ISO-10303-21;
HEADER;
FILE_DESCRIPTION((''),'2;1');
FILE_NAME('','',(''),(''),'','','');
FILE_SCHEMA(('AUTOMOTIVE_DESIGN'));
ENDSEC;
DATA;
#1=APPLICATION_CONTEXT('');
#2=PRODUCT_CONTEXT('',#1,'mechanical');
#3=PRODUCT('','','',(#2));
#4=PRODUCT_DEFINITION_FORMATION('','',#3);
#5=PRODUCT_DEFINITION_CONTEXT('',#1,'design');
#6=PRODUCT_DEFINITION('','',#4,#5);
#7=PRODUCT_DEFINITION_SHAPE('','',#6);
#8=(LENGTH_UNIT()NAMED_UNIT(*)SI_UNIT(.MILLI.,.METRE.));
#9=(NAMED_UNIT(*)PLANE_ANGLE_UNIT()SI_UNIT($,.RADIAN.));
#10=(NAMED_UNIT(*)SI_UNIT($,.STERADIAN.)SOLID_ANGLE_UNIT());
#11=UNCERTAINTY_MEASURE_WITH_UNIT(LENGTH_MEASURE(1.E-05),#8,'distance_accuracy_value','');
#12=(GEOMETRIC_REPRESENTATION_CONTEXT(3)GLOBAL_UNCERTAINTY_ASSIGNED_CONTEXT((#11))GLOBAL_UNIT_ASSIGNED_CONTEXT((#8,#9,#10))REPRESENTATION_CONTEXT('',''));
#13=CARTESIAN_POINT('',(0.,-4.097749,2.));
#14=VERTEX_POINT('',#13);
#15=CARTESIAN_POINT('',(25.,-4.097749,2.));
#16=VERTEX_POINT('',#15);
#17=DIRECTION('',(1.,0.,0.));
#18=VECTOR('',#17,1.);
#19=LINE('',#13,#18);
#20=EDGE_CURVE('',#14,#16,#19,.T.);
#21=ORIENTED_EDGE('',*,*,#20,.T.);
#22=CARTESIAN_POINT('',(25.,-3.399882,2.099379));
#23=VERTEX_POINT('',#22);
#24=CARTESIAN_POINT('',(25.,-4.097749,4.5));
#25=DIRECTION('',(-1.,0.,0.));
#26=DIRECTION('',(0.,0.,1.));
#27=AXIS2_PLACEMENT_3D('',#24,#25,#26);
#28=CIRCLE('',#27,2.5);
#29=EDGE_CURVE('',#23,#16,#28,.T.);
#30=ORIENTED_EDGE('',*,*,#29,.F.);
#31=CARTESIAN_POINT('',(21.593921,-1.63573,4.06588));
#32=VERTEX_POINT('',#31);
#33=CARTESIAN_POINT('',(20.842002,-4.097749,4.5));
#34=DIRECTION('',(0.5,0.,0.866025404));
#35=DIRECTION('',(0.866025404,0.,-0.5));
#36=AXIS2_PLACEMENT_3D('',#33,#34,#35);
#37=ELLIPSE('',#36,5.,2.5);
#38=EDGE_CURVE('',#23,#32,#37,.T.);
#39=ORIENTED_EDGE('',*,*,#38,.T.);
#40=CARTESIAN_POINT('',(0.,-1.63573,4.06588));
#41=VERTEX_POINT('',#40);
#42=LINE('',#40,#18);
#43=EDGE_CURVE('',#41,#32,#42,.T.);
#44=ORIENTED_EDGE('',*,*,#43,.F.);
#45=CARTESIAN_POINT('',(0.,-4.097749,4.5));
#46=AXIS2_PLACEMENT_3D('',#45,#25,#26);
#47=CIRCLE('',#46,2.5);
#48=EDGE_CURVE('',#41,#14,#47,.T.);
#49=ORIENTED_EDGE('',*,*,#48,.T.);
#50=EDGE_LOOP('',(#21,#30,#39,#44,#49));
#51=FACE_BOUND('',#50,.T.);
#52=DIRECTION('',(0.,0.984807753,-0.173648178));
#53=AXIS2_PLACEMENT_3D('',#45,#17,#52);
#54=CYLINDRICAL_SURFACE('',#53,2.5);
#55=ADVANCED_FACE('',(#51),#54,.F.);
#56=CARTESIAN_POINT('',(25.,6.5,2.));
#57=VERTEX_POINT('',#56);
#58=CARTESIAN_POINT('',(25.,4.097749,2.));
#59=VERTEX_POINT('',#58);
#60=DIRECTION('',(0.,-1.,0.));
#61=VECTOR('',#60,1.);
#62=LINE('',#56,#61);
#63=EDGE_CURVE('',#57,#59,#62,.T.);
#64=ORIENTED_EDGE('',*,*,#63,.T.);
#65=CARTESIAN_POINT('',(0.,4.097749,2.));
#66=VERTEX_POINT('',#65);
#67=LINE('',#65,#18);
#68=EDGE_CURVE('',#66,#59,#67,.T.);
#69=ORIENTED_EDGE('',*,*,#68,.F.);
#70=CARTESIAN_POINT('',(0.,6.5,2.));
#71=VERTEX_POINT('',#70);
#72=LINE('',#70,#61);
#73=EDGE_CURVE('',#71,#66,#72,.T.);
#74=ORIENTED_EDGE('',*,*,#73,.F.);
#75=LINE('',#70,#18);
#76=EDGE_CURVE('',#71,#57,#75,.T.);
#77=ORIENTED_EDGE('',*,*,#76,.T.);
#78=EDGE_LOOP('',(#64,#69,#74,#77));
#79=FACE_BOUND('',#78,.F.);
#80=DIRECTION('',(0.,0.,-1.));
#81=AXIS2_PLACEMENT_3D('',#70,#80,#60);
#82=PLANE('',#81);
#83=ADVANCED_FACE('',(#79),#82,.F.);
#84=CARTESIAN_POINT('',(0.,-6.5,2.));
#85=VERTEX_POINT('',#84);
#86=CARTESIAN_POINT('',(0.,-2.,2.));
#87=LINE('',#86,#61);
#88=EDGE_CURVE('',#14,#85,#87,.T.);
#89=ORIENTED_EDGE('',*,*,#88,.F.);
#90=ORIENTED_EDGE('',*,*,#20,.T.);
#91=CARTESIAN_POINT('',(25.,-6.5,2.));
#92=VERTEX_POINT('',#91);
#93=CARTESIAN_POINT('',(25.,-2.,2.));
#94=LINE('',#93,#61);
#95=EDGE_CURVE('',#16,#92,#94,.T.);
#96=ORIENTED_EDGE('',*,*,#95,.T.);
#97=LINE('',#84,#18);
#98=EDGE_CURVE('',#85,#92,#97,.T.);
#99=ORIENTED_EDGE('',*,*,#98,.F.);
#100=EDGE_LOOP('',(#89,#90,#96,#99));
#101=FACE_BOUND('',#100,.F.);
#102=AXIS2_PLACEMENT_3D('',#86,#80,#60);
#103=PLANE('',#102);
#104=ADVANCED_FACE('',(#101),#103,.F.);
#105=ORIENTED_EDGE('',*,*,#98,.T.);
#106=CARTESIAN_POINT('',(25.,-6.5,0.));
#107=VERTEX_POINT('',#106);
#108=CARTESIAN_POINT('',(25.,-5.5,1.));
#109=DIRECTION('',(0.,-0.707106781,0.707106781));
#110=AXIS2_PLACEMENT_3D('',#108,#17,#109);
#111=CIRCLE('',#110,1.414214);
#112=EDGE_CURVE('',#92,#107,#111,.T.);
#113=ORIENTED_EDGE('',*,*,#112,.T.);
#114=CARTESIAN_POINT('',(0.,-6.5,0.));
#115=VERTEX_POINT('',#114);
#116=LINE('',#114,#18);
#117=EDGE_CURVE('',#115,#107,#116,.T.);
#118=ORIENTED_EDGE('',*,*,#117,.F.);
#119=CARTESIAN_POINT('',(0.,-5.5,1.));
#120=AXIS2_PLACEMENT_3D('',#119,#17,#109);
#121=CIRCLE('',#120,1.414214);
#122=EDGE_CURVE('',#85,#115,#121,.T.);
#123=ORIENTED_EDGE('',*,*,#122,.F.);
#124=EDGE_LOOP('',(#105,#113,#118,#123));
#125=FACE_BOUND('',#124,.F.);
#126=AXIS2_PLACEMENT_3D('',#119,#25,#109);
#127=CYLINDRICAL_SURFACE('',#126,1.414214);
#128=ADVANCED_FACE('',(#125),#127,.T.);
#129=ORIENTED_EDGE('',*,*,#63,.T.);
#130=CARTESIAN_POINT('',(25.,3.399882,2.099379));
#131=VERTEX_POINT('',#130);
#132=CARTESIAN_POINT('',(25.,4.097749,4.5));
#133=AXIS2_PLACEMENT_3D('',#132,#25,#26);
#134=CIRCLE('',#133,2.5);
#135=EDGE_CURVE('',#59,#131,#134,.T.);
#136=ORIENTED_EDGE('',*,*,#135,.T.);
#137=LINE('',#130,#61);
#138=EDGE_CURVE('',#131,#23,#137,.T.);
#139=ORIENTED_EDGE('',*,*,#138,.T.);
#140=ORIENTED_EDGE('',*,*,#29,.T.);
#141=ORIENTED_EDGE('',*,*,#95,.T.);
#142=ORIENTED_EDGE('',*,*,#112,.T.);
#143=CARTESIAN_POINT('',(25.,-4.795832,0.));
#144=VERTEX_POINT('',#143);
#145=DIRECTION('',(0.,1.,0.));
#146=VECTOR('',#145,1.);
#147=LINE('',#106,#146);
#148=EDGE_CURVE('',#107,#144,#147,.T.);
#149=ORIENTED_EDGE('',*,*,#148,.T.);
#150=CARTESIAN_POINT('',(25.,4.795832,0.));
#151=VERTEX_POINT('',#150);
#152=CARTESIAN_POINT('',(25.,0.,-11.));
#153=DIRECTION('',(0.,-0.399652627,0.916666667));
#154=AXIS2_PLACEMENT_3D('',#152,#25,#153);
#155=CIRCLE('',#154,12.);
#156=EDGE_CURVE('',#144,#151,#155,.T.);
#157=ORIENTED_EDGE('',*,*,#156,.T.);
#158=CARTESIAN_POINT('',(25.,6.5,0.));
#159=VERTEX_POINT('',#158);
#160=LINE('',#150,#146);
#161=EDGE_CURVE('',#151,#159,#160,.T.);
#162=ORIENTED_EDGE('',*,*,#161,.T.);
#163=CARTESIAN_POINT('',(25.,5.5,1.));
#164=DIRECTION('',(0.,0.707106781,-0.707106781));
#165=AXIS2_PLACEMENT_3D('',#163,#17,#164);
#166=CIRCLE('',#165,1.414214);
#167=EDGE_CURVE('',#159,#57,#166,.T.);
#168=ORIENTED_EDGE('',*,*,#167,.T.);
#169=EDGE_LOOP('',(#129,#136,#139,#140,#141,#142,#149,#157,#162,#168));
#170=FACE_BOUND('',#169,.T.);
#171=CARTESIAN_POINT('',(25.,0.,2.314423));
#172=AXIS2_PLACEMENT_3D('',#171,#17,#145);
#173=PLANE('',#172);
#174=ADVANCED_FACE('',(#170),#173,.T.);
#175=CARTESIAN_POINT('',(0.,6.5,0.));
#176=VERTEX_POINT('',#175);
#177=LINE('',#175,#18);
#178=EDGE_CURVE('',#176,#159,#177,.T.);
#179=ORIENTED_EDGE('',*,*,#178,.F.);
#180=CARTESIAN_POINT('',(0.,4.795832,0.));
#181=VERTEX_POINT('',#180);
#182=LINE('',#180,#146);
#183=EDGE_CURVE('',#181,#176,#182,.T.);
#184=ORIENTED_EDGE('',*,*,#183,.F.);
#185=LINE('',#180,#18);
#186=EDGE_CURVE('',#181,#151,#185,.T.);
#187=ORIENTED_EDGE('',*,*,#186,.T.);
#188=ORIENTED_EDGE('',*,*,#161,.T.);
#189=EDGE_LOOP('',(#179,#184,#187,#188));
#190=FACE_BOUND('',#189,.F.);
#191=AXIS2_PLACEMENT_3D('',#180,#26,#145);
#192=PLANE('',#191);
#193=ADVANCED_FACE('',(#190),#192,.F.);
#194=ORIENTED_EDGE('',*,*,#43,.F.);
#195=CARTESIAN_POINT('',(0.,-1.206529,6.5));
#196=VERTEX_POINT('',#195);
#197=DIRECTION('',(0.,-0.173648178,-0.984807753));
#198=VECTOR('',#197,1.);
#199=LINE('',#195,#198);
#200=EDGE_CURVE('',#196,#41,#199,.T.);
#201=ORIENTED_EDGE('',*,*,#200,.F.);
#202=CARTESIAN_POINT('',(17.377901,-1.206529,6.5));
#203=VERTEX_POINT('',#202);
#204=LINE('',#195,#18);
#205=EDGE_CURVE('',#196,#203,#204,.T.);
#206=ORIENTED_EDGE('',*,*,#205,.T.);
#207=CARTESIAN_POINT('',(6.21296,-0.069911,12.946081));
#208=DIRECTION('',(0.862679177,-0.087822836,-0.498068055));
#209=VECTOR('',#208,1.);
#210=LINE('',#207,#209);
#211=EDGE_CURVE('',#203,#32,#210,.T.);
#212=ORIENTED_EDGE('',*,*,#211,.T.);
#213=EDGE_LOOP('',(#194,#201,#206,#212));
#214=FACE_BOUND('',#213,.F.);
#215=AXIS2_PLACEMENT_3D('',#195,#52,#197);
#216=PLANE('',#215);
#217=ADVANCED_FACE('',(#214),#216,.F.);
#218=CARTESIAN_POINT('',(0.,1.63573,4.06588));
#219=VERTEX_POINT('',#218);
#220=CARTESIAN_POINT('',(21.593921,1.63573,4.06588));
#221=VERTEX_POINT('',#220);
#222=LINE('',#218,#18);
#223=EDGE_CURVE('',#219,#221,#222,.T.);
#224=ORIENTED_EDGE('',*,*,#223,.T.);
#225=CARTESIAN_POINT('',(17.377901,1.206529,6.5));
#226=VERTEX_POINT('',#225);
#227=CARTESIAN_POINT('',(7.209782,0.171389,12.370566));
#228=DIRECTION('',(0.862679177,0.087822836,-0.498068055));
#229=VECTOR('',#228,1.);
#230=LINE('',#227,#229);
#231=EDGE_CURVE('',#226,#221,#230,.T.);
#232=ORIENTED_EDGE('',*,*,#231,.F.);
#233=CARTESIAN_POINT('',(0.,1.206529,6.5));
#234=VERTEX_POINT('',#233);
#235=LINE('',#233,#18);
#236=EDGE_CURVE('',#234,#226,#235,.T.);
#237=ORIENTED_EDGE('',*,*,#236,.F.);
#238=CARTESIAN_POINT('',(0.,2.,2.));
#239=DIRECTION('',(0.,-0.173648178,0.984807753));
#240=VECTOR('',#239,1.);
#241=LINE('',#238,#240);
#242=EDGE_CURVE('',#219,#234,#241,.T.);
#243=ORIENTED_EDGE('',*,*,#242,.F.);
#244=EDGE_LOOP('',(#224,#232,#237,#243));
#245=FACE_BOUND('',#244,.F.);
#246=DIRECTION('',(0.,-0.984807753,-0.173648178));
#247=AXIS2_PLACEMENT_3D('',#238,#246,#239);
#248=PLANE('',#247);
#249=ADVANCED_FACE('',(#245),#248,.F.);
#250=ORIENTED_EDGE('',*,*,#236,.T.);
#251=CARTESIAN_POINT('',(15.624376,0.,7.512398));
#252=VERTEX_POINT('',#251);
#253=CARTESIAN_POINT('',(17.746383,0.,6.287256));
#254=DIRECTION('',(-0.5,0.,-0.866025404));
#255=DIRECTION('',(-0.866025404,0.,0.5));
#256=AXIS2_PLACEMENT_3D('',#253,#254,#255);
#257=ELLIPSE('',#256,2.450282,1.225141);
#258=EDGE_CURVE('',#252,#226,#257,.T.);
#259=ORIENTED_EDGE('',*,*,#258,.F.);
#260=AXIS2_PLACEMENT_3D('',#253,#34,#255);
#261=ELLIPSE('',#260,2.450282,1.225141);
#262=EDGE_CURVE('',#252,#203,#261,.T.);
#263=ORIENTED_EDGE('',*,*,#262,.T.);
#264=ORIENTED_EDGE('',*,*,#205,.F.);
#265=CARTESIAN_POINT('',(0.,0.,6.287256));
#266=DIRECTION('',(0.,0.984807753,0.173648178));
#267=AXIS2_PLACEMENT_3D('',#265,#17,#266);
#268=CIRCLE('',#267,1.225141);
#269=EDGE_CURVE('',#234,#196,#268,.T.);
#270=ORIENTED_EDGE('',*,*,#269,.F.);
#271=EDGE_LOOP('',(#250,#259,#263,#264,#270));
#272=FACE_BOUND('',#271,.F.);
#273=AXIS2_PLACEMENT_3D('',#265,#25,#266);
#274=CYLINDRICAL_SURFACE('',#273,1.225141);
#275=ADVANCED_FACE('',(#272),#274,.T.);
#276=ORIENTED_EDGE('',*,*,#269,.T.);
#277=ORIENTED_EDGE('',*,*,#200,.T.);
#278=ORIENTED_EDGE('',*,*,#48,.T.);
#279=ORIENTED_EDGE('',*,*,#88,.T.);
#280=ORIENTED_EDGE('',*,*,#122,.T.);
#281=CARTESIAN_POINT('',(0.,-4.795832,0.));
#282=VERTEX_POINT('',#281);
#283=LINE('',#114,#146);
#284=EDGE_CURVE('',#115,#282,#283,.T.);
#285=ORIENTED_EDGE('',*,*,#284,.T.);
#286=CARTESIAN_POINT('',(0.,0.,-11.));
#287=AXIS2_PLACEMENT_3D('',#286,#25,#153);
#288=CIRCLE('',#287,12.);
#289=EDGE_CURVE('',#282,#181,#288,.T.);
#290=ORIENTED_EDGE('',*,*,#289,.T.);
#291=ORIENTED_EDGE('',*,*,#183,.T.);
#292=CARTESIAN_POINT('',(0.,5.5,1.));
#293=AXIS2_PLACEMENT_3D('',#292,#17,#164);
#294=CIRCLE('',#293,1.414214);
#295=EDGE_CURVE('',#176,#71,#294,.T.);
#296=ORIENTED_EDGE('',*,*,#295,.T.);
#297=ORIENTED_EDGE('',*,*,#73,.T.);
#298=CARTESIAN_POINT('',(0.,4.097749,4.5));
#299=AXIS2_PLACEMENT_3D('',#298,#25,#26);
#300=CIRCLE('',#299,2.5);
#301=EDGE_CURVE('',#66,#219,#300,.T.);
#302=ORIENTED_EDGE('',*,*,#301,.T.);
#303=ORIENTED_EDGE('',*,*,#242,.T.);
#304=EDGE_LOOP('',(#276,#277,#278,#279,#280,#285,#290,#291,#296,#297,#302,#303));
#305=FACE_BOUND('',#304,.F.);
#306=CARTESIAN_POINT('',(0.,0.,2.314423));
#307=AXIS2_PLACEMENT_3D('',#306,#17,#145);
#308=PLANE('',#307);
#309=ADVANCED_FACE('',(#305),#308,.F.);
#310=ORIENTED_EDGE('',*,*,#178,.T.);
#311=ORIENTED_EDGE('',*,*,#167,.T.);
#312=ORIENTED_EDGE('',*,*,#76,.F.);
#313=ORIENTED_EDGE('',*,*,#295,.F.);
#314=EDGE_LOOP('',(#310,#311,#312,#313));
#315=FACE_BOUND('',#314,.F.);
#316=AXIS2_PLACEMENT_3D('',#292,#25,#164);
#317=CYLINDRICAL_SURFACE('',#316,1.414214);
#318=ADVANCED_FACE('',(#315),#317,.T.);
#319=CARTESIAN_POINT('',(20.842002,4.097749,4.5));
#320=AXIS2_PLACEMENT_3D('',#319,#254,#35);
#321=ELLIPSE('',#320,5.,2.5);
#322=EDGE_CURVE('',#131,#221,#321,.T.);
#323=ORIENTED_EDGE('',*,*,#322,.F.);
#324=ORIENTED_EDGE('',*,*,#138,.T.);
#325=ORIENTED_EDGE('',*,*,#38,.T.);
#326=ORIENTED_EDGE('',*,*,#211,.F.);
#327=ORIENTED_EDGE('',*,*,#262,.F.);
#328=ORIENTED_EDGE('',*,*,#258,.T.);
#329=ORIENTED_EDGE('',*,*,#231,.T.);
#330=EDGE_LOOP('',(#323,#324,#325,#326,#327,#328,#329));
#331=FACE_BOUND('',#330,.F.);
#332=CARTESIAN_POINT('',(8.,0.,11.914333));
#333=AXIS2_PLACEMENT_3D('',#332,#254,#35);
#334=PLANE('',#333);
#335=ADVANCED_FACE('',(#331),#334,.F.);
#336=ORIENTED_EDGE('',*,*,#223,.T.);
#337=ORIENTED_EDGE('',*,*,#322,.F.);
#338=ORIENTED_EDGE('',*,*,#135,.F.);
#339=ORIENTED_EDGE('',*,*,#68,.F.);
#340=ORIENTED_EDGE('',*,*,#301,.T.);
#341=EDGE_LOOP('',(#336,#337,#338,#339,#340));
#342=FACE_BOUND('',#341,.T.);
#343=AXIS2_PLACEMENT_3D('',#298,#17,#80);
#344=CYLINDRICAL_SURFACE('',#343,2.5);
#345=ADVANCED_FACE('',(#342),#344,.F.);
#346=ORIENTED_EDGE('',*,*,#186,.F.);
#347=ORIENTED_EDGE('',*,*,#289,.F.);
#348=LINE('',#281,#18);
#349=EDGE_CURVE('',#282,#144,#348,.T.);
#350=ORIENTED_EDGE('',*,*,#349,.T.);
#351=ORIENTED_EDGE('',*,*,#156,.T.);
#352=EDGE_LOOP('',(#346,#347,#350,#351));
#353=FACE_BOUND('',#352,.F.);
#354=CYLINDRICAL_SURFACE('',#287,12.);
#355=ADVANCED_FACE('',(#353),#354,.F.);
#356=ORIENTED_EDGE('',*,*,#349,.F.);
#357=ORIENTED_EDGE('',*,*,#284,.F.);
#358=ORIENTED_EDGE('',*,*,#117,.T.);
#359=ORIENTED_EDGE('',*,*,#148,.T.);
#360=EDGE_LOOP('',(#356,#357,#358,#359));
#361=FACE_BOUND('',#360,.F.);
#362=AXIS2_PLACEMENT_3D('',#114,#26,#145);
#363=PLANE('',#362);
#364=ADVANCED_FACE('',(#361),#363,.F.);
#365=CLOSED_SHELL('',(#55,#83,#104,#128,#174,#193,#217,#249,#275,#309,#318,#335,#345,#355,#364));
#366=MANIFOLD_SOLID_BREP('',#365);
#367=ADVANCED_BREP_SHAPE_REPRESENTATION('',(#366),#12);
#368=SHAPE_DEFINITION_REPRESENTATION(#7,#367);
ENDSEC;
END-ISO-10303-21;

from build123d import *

# Parameters (mm, degrees)
F1_DEPTH      = 25
F2_R          = 2.5
F4_DEPTH      = 6.9152135624
F4_DEPTH_BACK = 6.9152135624


with BuildPart() as f1:
    # F0 (on Right) → F1 (new body)
    with BuildSketch(Plane.YZ):
        with BuildLine():
            Line((-6.5, 0), (-4.7958315233, 0))
            ThreePointArc((-4.7958315233, 0), (0, 1), (4.7958315233, 0))
            Line((4.7958315233, 0), (6.5, 0))
            ThreePointArc((6.5, 0), (6.9142135624, 1), (6.5, 2))
            Line((6.5, 2), (2, 2))
            Line((2, 2), (1.2065285868, 6.5))
            ThreePointArc((1.2065285868, 6.5), (0, 7.5123976922), (-1.2065285868, 6.5))
            Line((-1.2065285868, 6.5), (-2, 2))
            Line((-2, 2), (-6.5, 2))
            ThreePointArc((-6.5, 2), (-6.9142135624, 1), (-6.5, 0))
        make_face()
    extrude(amount=F1_DEPTH)

    # F2
    f2_edges = [f1.edges().sort_by_distance(p)[0] for p in [
        (12.5, 2, 2),
        (12.5, -2, 2),
    ]]
    fillet(f2_edges, radius=F2_R)

    # F3 (on Front) → F4 (cut, two sides)
    with BuildSketch(Plane.XZ) as f4_sk:
        Polygon((8, 11.9143333792), (30, -0.787372543), (30, 11.9143333792), align=None)
    extrude(amount=-F4_DEPTH, mode=Mode.SUBTRACT)
    extrude(f4_sk.sketch, amount=F4_DEPTH_BACK, mode=Mode.SUBTRACT)


solid = f1.part
